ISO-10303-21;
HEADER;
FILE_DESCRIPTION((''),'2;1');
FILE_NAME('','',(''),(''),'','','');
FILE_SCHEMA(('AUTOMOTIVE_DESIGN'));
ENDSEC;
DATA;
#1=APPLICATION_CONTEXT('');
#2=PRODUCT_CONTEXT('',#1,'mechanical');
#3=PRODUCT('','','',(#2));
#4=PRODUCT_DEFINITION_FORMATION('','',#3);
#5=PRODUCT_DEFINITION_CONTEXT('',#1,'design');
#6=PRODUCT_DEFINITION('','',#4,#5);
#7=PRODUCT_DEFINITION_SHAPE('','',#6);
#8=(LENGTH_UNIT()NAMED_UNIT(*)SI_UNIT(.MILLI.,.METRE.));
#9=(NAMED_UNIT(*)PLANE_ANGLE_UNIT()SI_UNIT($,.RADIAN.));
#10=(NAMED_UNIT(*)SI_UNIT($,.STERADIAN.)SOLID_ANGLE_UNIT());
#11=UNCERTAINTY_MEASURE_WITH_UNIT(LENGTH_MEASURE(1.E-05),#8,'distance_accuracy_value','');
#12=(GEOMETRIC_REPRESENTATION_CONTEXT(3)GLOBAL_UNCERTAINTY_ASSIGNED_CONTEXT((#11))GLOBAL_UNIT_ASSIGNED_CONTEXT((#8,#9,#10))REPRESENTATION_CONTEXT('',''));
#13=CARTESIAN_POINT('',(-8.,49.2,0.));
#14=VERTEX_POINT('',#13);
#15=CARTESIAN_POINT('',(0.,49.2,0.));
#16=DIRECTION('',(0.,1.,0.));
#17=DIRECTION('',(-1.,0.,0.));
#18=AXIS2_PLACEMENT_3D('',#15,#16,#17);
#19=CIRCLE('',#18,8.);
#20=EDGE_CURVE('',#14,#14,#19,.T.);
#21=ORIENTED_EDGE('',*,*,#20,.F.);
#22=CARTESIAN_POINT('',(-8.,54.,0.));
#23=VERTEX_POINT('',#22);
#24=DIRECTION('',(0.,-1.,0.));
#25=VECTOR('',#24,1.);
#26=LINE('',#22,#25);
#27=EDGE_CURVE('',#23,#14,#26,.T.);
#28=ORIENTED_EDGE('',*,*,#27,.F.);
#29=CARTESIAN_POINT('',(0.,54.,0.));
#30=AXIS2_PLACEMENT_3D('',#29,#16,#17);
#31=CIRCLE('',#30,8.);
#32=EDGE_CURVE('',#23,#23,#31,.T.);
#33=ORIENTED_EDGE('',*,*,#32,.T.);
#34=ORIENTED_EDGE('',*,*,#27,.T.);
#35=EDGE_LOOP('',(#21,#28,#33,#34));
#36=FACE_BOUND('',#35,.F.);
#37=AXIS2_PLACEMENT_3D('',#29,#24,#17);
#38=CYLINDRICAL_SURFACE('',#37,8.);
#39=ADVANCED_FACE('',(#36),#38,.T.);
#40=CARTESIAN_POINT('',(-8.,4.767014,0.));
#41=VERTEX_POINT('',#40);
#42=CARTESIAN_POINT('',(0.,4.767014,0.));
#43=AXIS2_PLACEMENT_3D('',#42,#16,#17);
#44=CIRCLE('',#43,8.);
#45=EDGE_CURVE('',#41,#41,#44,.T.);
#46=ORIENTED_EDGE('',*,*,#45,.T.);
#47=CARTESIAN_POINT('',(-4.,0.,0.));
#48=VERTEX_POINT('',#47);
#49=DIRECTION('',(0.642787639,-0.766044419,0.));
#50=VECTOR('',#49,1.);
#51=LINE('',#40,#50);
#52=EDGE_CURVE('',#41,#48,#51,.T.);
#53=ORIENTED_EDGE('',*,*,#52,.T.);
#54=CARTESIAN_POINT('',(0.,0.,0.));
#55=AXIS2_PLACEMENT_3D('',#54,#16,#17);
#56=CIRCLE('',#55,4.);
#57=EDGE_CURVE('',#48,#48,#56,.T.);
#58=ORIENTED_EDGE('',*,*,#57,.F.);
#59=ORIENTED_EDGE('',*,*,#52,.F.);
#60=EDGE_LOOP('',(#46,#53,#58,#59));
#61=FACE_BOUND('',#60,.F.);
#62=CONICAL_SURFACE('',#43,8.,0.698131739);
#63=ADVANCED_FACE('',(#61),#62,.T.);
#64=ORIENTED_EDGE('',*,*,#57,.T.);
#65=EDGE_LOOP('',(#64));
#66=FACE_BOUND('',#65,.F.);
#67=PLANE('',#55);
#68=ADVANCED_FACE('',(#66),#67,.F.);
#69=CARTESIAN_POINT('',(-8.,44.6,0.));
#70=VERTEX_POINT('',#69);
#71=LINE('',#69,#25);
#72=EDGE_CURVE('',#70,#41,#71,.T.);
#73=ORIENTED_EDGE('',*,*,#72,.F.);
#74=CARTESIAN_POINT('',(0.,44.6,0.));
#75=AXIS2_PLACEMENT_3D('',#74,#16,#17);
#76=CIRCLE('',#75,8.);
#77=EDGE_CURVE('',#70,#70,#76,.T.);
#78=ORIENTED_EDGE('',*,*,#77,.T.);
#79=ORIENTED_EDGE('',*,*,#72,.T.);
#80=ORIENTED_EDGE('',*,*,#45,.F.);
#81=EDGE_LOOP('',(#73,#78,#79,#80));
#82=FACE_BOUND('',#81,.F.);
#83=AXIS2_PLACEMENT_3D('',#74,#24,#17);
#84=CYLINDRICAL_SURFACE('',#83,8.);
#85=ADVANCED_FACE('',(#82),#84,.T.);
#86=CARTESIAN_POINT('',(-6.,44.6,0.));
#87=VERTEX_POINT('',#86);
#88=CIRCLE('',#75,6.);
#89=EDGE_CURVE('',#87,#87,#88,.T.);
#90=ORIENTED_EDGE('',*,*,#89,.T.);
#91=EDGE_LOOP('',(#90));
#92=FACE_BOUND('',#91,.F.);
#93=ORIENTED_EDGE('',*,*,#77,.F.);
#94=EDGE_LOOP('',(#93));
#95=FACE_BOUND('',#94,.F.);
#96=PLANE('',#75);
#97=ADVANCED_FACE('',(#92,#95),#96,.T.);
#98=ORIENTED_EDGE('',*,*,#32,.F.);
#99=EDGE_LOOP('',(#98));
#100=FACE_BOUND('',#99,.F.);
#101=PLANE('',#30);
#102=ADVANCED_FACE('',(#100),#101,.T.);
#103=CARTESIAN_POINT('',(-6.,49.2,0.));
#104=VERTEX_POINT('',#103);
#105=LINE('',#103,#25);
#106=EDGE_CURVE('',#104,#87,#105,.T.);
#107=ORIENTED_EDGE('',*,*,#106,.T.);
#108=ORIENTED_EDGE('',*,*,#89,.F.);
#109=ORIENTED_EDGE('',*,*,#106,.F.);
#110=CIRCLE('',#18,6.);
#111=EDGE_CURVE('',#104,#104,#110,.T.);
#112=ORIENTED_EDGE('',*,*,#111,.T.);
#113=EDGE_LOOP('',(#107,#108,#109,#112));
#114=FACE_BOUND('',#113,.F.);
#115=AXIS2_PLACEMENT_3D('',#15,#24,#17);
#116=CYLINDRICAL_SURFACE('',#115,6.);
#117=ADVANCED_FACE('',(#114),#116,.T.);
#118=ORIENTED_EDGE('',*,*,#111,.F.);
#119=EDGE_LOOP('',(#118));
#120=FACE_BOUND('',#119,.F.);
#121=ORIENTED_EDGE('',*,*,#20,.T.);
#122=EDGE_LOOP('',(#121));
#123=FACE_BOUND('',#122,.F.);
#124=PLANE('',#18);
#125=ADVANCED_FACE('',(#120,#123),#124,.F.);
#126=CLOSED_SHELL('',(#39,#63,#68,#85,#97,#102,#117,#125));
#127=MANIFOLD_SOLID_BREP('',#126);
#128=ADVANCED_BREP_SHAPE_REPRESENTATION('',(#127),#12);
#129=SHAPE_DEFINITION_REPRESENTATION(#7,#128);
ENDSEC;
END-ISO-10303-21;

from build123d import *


with BuildPart() as f1:
    # F0 (on Top) → F1 (revolve)
    with BuildSketch(Plane.XY):
        Polygon((0, 0), (0, 54), (-8, 54), (-8, 49.2), (-6, 49.2), (-6, 44.6), (-8, 44.6), (-8, 4.767014), (-4, 0), align=None)
    revolve(axis=Axis((0, 27, 0), (0, 1, 0)))


solid = f1.part
